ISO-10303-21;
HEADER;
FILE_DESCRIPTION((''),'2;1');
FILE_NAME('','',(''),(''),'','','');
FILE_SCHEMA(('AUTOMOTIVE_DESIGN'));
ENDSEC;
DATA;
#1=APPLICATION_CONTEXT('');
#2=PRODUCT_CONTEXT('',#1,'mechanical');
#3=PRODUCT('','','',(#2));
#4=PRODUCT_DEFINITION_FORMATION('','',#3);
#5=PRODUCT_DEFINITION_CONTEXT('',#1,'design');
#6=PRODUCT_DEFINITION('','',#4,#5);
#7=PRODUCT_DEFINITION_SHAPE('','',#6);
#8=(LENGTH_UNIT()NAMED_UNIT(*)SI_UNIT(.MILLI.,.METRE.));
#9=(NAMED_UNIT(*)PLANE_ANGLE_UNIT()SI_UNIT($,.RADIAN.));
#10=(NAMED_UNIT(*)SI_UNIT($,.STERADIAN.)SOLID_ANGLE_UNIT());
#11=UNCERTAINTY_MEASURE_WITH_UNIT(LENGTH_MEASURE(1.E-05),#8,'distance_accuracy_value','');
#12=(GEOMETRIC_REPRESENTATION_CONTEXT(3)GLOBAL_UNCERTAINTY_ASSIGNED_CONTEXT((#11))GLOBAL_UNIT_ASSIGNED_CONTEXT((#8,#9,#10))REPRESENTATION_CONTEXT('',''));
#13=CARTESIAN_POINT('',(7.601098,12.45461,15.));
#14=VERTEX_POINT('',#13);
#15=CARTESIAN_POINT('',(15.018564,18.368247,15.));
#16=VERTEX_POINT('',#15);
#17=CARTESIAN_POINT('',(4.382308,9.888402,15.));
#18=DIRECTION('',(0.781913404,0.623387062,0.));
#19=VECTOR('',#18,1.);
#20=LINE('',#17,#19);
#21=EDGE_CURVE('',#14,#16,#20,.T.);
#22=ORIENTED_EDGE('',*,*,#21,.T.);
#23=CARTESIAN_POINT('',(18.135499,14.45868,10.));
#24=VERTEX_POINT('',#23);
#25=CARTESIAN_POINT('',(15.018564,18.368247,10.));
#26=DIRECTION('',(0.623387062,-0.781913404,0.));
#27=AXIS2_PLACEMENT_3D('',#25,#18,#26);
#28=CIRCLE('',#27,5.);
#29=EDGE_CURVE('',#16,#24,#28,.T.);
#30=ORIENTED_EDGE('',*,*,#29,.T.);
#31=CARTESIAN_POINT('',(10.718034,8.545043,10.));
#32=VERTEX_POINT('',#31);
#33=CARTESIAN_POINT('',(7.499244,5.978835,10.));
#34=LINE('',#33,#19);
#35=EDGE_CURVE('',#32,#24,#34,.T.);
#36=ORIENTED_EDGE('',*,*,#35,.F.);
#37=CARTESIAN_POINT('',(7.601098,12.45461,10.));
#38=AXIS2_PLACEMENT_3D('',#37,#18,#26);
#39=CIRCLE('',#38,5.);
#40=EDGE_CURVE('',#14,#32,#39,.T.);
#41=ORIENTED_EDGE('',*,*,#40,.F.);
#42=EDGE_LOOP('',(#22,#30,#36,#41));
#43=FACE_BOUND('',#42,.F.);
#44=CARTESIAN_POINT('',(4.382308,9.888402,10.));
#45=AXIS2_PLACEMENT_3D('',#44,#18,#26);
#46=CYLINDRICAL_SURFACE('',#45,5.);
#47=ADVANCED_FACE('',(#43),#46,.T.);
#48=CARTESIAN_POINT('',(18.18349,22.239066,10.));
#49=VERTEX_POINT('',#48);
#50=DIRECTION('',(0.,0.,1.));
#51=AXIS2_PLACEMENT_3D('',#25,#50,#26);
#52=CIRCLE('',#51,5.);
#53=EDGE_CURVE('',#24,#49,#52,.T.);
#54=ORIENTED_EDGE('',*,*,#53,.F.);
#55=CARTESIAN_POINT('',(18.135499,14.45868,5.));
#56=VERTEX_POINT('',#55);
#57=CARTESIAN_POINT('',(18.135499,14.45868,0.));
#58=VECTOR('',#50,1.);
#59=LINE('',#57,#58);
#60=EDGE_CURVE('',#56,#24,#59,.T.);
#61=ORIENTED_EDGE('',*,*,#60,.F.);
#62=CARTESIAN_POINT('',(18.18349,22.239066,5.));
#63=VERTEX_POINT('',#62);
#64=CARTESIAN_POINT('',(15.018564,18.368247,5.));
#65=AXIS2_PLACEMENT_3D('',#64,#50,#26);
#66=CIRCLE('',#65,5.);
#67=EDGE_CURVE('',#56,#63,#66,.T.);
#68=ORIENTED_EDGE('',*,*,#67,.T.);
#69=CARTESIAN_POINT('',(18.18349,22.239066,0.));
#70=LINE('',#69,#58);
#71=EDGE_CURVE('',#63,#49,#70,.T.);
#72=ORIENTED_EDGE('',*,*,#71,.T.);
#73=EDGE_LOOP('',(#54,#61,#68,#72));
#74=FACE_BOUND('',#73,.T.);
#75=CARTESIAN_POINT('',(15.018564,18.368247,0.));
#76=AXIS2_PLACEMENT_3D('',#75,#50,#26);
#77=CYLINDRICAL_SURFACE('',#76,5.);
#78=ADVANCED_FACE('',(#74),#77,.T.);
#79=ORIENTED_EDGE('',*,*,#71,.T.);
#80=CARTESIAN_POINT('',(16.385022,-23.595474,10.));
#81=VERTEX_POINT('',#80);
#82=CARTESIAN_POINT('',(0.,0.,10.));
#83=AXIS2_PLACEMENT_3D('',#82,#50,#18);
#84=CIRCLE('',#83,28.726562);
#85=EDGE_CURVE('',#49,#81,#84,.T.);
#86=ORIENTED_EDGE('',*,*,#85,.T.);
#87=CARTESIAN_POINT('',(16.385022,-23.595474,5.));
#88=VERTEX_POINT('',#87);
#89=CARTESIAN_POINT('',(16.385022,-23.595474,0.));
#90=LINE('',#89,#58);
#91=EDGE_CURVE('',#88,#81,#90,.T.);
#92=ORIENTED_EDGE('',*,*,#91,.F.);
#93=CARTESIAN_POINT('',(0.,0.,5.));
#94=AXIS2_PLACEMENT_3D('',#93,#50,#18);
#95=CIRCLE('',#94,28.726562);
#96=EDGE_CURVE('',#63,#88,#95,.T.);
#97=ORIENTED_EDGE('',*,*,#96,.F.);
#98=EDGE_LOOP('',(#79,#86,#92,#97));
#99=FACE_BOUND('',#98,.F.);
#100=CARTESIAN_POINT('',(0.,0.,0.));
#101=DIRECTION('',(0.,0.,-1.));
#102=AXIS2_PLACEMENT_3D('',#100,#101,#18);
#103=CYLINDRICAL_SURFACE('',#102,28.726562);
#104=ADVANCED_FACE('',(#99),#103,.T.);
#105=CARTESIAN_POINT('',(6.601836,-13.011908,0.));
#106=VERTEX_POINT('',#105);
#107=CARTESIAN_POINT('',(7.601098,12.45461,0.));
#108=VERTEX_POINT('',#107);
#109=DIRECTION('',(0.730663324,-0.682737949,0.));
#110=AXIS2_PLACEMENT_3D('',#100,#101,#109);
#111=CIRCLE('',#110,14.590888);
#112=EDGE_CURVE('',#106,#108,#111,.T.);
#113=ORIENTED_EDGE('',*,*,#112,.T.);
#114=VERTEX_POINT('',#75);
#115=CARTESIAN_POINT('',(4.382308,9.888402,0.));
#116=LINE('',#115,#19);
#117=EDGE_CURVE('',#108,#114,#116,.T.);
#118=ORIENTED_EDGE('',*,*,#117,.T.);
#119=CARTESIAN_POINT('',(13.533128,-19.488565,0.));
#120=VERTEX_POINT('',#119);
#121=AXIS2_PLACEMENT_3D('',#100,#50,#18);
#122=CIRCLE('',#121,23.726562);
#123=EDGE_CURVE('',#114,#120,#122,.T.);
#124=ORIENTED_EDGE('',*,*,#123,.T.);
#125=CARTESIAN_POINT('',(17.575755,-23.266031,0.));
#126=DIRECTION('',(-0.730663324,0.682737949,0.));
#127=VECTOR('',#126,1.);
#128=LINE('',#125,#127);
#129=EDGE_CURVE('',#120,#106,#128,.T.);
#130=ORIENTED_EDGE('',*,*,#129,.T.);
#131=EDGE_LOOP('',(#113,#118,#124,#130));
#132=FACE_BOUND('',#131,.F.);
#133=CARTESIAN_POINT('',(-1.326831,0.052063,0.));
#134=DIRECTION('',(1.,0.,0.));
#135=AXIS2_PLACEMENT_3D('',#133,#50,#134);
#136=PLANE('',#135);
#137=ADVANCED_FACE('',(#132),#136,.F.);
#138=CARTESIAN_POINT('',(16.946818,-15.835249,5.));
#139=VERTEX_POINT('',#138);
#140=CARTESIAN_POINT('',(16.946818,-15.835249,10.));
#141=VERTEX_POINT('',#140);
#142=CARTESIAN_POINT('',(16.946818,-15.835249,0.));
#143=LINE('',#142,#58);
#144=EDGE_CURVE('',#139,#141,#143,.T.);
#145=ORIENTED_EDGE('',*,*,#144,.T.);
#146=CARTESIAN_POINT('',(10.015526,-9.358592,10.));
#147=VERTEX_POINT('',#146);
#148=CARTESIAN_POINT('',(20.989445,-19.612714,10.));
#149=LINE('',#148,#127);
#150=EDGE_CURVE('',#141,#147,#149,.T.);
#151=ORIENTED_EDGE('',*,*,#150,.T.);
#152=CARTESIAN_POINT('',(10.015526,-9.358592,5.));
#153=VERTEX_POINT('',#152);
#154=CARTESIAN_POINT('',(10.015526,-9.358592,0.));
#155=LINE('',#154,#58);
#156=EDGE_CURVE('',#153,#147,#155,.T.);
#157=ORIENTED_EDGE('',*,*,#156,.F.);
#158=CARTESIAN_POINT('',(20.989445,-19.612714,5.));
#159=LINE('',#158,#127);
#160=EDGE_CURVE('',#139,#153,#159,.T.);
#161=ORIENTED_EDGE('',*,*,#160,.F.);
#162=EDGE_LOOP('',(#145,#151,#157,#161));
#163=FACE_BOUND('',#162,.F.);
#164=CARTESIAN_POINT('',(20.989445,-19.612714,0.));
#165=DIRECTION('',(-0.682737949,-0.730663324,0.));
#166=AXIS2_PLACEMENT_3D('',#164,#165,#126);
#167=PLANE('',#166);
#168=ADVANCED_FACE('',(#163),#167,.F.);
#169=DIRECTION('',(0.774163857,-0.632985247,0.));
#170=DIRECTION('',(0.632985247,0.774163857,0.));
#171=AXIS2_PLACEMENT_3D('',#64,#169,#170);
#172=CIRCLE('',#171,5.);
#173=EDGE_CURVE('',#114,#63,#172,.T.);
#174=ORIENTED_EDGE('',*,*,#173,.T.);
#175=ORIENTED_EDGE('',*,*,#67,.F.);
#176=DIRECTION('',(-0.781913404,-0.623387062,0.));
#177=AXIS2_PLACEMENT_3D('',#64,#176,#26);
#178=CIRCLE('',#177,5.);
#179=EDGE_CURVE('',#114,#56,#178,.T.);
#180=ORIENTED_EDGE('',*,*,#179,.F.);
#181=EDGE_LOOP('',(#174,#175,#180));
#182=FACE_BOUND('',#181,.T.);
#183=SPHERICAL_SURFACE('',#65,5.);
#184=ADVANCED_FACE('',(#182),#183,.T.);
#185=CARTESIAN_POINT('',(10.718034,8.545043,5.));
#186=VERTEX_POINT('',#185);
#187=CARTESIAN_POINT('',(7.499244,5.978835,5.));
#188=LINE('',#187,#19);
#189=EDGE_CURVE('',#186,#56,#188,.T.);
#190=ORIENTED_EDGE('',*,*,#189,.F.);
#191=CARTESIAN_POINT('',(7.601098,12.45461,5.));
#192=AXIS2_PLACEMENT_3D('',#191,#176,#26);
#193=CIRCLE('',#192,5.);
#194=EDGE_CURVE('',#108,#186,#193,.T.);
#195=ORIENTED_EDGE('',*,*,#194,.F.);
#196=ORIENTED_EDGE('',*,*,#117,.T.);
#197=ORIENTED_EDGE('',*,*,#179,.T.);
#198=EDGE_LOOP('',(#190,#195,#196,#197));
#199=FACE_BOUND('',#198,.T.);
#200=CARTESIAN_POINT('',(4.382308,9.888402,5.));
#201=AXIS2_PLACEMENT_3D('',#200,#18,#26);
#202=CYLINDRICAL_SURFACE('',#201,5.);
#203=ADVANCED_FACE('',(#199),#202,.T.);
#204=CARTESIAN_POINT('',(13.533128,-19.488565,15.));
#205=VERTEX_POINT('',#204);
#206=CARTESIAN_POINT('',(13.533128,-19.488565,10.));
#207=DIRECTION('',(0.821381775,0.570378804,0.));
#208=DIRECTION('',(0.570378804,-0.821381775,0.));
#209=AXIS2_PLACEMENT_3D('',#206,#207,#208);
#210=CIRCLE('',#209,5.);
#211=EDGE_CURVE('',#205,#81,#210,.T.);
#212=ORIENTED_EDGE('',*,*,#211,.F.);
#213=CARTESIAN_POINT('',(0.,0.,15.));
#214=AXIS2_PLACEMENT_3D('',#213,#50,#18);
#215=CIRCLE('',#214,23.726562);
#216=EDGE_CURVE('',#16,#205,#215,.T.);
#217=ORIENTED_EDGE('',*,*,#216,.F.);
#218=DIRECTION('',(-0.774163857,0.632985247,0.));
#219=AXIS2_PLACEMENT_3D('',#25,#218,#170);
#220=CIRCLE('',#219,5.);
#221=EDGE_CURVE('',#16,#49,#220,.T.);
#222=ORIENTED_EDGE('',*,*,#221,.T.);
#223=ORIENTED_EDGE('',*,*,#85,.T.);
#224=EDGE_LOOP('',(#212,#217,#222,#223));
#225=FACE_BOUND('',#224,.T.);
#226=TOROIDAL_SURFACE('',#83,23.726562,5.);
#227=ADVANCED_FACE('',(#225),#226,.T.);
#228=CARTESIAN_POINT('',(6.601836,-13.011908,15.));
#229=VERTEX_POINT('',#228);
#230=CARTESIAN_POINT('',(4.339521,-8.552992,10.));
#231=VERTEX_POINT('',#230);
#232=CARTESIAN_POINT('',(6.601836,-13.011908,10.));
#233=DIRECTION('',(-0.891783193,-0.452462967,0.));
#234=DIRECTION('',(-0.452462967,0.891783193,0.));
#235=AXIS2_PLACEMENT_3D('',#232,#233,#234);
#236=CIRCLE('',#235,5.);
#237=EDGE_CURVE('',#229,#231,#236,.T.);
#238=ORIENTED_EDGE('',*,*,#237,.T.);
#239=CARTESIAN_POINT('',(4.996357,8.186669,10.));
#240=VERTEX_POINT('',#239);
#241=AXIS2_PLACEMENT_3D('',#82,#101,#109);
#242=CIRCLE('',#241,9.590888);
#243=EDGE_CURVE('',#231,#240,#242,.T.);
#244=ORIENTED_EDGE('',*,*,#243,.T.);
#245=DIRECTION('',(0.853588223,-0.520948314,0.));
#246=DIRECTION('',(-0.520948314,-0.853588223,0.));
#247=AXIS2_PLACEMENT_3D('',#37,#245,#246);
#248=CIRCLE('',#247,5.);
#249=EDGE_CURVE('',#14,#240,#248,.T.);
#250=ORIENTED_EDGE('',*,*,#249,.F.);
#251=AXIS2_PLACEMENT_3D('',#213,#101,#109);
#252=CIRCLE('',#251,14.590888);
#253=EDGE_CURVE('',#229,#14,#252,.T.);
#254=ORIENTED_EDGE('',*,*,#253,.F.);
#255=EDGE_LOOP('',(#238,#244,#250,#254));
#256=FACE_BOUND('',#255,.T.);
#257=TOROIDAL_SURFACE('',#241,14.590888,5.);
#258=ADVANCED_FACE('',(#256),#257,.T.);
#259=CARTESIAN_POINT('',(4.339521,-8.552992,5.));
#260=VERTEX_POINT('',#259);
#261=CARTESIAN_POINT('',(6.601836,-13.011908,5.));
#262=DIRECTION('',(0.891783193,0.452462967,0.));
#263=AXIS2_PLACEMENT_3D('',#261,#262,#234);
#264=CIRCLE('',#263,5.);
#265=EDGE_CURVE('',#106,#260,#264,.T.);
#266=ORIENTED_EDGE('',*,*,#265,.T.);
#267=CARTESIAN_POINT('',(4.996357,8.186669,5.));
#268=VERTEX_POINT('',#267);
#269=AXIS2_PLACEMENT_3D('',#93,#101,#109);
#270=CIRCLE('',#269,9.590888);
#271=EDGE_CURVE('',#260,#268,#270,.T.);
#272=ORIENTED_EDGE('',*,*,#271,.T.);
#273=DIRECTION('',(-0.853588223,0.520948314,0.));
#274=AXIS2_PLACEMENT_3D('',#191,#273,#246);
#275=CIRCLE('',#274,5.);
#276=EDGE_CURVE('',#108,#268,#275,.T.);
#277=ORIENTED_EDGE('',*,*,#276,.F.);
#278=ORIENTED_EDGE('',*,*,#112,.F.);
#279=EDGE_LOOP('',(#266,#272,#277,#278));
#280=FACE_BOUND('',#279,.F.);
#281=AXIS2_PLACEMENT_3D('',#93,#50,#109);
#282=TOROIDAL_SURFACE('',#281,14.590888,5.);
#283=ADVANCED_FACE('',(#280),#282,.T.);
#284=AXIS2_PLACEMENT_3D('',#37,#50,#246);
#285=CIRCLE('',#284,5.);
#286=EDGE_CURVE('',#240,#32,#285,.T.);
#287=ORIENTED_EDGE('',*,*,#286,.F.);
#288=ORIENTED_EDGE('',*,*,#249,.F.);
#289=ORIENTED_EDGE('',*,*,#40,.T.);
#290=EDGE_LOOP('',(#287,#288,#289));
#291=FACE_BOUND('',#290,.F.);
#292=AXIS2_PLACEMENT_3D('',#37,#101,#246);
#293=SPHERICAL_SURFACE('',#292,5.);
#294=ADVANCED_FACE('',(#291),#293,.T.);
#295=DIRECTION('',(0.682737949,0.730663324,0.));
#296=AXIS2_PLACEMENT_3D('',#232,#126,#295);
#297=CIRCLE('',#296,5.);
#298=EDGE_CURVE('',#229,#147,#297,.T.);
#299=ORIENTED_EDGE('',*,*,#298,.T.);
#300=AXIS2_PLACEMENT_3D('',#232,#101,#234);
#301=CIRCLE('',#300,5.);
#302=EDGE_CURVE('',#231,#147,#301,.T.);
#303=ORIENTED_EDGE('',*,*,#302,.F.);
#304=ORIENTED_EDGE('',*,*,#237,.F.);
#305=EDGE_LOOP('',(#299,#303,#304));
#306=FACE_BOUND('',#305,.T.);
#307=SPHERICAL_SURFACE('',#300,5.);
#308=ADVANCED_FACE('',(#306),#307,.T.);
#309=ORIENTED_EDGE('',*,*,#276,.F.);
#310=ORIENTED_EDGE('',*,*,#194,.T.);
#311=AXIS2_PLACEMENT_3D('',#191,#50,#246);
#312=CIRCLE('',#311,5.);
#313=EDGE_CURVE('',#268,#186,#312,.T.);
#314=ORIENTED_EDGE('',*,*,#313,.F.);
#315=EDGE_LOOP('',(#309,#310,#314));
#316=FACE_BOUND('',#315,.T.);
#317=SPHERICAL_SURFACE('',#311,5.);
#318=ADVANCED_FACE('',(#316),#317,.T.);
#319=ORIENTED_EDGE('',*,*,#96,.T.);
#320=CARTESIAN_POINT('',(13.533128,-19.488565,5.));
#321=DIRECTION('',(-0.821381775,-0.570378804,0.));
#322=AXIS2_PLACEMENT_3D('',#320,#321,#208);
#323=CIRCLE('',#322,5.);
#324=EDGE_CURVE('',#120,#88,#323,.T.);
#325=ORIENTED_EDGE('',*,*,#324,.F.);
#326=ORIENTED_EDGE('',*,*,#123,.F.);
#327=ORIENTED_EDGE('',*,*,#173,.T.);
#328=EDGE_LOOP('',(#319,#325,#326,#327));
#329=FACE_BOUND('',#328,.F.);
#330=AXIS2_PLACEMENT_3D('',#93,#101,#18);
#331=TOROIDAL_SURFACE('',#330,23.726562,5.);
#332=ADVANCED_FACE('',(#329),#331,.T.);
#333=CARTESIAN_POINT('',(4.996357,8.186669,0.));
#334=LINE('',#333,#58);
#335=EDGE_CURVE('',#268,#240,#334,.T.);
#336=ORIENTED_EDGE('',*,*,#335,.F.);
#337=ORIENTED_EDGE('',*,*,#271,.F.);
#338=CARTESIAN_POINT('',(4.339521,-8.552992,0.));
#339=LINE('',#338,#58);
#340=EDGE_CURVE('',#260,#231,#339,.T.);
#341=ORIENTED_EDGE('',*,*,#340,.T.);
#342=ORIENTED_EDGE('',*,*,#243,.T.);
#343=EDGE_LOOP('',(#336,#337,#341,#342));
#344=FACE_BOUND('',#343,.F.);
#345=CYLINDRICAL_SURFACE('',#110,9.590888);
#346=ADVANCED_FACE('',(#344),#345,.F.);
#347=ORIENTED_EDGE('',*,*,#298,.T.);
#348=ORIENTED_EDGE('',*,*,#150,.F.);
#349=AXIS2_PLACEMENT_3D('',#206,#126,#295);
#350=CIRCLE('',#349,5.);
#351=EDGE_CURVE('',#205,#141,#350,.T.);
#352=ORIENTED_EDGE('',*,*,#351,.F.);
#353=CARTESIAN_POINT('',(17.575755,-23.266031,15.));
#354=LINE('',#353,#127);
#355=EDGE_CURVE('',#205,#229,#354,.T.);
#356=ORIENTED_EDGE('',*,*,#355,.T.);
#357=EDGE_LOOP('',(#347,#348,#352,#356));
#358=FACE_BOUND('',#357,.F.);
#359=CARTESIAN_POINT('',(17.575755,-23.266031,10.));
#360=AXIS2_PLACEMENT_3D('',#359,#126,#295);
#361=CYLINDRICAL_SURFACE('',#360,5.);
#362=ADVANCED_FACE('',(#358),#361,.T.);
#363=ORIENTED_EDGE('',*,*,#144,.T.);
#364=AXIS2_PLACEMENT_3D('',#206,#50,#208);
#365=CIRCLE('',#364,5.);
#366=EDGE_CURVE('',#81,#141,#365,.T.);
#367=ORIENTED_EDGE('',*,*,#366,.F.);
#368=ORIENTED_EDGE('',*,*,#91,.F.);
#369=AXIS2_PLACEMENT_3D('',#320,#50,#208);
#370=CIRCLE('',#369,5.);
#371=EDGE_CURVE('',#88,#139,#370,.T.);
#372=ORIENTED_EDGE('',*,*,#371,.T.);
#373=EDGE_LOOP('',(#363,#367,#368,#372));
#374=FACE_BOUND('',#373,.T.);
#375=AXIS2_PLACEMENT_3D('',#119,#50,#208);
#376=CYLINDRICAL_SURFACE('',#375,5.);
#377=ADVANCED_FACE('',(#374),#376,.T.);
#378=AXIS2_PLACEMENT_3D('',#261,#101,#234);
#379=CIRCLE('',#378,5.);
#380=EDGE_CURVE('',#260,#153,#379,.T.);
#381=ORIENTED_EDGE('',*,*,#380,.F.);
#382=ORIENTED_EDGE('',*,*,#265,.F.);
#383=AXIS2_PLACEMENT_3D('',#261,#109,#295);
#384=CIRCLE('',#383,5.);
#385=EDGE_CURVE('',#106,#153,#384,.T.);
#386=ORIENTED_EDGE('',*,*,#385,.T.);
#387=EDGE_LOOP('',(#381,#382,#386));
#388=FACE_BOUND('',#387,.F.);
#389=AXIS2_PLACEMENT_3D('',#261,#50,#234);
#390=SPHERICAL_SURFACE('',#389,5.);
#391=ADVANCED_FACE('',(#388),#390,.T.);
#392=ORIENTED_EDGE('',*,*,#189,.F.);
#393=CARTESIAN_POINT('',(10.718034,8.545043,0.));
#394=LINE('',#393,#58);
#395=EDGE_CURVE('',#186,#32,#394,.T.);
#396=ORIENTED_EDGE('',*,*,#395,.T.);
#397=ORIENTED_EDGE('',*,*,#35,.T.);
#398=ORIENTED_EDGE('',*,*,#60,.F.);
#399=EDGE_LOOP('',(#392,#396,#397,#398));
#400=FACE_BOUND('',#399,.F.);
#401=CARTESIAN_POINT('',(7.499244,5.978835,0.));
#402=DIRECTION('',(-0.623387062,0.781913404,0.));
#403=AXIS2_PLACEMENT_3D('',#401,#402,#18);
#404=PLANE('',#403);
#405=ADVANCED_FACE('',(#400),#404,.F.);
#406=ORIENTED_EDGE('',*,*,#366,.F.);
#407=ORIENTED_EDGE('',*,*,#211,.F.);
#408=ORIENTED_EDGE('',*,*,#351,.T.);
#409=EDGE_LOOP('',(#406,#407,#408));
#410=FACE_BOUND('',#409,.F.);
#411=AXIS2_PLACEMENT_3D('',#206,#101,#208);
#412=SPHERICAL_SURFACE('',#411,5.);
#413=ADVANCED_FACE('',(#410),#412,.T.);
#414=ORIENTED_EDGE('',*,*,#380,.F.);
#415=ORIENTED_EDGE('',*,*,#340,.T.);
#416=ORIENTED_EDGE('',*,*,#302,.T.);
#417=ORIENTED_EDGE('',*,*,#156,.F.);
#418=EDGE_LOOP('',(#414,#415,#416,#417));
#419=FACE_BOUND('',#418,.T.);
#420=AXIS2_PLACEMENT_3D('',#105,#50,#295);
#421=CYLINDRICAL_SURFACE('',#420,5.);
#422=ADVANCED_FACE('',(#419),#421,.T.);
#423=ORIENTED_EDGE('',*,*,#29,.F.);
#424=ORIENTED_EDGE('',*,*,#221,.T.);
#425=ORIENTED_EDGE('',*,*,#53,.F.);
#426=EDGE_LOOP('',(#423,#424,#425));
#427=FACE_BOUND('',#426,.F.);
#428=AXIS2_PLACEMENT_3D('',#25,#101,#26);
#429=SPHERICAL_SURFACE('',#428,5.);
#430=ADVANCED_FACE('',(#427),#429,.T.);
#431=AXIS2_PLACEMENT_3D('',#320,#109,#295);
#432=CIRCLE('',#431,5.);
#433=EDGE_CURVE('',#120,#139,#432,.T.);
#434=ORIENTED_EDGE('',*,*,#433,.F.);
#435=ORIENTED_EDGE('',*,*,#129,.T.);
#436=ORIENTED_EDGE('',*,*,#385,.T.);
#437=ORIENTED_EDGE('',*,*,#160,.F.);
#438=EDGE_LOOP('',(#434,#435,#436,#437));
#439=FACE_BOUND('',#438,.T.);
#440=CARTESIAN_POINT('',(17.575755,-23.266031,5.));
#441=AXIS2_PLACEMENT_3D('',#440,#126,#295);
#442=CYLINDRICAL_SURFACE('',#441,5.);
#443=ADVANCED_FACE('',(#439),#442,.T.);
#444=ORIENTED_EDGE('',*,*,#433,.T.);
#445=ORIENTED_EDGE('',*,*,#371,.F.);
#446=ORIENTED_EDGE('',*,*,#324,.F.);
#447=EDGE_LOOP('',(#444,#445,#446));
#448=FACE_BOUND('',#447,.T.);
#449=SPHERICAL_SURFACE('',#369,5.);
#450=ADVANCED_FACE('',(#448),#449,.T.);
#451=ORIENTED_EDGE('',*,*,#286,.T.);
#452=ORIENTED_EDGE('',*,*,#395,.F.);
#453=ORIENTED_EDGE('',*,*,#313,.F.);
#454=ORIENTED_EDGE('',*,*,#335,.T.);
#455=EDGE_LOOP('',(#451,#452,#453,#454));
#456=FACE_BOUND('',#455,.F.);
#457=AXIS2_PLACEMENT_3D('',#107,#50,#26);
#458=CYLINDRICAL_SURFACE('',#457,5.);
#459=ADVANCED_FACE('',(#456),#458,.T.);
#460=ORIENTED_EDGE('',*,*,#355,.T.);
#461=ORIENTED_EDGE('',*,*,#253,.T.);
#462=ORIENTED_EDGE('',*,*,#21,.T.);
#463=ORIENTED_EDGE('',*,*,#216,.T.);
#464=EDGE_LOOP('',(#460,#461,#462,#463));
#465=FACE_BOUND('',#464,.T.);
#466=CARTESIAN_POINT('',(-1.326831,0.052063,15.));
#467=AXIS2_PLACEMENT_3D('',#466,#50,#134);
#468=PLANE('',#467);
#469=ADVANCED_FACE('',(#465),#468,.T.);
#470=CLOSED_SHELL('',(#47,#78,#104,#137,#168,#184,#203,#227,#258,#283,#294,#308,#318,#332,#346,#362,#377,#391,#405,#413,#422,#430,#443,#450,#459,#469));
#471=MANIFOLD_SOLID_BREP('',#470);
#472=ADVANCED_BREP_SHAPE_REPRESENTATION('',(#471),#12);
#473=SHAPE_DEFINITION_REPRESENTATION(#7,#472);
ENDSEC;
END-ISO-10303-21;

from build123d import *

# Parameters (mm, degrees)
F1_DEPTH = 15
F2_R     = 5


with BuildPart() as f1:
    # F0 (on Top) → F1 (new body)
    with BuildSketch(Plane.XY):
        with BuildLine():
            Line((7.4992435197, 5.9788351981), (22.4616837527, 17.9077669737))
            ThreePointArc((22.4616837527, 17.9077669737), (-28.7044730373, 1.1263137405), (20.9894451535, -19.6127139158))
            Line((20.9894451535, -19.6127139158), (7.0077097639, -6.5480628859))
            ThreePointArc((7.0077097639, -6.5480628859), (-9.5835127847, 0.3760404212), (7.4992435197, 5.9788351981))
        make_face()
    extrude(amount=F1_DEPTH)

    # F2
    f2_edges = [f1.edges().sort_by_distance(p)[0] for p in [
        (-9.583513, 0.37604, 15),
        (14.980464, 11.943301, 15),
        (-28.704473, 1.126314, 15),
        (13.998577, -13.080388, 15),
        (-9.583513, 0.37604, 0),
        (14.980464, 11.943301, 0),
        (-28.704473, 1.126314, 0),
        (13.998577, -13.080388, 0),
        (20.989445, -19.612714, 7.5),
        (7.00771, -6.548063, 7.5),
        (7.499244, 5.978835, 7.5),
        (22.461684, 17.907767, 7.5),
    ]]
    fillet(f2_edges, radius=F2_R)


solid = f1.part
